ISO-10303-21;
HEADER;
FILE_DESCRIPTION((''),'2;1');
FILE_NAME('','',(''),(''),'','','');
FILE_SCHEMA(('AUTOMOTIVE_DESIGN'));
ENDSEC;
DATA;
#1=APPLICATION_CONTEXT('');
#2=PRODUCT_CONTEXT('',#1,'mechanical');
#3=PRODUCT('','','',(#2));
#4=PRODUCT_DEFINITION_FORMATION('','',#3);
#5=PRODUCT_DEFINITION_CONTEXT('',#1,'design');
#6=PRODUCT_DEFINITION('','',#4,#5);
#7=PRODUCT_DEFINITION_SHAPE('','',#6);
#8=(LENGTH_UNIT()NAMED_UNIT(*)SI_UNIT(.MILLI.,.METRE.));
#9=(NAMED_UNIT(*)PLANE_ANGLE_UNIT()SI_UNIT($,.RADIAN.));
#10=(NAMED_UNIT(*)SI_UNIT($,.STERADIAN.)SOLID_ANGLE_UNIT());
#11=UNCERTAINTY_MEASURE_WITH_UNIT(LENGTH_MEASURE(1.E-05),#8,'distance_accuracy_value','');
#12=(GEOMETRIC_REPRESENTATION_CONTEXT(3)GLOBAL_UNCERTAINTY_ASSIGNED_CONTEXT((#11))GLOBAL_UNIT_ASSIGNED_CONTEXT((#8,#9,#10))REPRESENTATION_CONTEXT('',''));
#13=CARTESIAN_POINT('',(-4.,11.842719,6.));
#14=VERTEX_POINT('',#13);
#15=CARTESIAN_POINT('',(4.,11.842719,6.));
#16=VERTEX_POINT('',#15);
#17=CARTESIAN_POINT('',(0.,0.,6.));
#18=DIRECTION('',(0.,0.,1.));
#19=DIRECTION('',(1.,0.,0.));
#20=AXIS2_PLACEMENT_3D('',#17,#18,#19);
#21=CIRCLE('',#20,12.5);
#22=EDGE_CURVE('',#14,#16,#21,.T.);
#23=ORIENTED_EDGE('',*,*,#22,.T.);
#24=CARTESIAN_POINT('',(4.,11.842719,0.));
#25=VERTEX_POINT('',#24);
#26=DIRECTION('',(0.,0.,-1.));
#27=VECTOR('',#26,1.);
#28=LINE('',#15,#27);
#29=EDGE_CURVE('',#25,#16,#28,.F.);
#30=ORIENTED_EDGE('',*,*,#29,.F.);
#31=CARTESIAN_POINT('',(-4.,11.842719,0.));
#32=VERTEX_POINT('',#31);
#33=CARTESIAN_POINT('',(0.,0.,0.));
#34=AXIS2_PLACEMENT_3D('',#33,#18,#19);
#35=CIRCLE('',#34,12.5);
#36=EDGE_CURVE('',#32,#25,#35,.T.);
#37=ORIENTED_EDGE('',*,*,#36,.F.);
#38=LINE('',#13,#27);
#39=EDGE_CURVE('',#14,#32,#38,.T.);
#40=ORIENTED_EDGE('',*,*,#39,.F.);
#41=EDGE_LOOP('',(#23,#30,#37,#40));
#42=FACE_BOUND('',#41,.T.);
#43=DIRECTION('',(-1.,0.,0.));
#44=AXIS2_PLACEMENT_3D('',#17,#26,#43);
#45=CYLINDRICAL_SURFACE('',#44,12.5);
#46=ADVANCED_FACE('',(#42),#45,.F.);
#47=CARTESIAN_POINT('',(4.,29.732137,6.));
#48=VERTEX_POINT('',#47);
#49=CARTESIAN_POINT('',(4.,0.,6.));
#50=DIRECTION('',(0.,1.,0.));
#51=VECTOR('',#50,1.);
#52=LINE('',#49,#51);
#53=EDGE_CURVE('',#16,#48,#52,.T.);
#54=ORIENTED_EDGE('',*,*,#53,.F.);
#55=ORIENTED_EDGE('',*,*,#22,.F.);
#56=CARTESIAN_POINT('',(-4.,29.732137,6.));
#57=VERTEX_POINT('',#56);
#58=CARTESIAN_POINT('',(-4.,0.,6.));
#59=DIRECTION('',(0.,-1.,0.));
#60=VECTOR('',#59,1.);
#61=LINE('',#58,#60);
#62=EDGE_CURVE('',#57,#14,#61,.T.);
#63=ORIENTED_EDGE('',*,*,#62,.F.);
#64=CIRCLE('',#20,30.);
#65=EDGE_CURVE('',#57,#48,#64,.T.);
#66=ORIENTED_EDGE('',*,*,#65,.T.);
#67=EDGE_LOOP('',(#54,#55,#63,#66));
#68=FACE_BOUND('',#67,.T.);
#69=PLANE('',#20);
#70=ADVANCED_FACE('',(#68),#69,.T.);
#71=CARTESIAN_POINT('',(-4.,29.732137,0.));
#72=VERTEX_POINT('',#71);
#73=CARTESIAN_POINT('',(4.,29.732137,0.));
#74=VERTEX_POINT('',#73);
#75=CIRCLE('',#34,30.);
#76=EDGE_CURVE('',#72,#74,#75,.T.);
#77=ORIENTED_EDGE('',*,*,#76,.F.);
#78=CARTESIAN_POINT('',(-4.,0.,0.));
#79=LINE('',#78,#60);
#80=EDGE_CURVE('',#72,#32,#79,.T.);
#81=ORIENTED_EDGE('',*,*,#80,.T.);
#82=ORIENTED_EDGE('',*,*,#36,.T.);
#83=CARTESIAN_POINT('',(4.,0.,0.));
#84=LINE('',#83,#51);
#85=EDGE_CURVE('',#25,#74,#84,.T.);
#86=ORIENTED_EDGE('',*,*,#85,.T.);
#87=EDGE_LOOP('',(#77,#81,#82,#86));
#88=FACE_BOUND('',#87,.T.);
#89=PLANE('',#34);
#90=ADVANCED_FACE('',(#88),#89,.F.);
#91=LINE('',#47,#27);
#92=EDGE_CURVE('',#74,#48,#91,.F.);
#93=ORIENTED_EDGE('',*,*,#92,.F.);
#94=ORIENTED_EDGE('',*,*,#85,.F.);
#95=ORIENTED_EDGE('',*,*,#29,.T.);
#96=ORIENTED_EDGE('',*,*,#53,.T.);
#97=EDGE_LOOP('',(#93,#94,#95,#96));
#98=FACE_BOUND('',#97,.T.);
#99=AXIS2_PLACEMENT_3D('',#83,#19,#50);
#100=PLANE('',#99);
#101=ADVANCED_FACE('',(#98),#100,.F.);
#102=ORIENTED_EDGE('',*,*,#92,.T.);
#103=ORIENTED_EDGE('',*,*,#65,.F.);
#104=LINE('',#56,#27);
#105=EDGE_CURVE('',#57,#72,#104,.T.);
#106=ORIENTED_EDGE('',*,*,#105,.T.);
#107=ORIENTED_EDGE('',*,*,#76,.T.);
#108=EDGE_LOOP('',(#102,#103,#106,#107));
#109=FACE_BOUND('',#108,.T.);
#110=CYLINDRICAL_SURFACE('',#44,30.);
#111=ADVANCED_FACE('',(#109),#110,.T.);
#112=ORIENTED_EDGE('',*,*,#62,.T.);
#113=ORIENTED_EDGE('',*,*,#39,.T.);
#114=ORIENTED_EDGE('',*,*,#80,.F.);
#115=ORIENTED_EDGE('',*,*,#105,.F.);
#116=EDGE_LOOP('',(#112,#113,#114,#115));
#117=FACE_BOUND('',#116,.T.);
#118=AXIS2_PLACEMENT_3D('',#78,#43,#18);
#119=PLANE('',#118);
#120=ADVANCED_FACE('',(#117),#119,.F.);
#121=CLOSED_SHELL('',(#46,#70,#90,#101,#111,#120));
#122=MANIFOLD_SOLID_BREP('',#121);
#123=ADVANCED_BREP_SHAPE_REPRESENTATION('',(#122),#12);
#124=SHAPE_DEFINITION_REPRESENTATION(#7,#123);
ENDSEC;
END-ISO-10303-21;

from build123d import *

# Parameters (mm, degrees)
SKETCH1_R               = 30
SKETCH1_R_2             = 12.5
BOSS_EXTRUDE1_DEPTH     = 6
SKETCH2_W               = 8
SKETCH2_H               = 40
CUT_EXTRUDE1_DEPTH      = 1
CUT_EXTRUDE1_DEPTH_BACK = 7


with BuildPart() as part:
    # Sketch1 → Boss-Extrude1 (new body)
    with BuildSketch(Plane.XY):
        Circle(SKETCH1_R)
        Circle(SKETCH1_R_2, mode=Mode.SUBTRACT)
    extrude(amount=BOSS_EXTRUDE1_DEPTH)

    # Sketch2 → Cut-Extrude1 (cut, two sides)
    with BuildSketch(Plane.XY.offset(6)) as cut_extrude1_sk:
        with Locations((0, 20)):
            Rectangle(SKETCH2_W, SKETCH2_H)
    extrude(amount=CUT_EXTRUDE1_DEPTH, mode=Mode.SUBTRACT)
    extrude(cut_extrude1_sk.sketch, amount=-CUT_EXTRUDE1_DEPTH_BACK, mode=Mode.SUBTRACT)


solid = part.part
